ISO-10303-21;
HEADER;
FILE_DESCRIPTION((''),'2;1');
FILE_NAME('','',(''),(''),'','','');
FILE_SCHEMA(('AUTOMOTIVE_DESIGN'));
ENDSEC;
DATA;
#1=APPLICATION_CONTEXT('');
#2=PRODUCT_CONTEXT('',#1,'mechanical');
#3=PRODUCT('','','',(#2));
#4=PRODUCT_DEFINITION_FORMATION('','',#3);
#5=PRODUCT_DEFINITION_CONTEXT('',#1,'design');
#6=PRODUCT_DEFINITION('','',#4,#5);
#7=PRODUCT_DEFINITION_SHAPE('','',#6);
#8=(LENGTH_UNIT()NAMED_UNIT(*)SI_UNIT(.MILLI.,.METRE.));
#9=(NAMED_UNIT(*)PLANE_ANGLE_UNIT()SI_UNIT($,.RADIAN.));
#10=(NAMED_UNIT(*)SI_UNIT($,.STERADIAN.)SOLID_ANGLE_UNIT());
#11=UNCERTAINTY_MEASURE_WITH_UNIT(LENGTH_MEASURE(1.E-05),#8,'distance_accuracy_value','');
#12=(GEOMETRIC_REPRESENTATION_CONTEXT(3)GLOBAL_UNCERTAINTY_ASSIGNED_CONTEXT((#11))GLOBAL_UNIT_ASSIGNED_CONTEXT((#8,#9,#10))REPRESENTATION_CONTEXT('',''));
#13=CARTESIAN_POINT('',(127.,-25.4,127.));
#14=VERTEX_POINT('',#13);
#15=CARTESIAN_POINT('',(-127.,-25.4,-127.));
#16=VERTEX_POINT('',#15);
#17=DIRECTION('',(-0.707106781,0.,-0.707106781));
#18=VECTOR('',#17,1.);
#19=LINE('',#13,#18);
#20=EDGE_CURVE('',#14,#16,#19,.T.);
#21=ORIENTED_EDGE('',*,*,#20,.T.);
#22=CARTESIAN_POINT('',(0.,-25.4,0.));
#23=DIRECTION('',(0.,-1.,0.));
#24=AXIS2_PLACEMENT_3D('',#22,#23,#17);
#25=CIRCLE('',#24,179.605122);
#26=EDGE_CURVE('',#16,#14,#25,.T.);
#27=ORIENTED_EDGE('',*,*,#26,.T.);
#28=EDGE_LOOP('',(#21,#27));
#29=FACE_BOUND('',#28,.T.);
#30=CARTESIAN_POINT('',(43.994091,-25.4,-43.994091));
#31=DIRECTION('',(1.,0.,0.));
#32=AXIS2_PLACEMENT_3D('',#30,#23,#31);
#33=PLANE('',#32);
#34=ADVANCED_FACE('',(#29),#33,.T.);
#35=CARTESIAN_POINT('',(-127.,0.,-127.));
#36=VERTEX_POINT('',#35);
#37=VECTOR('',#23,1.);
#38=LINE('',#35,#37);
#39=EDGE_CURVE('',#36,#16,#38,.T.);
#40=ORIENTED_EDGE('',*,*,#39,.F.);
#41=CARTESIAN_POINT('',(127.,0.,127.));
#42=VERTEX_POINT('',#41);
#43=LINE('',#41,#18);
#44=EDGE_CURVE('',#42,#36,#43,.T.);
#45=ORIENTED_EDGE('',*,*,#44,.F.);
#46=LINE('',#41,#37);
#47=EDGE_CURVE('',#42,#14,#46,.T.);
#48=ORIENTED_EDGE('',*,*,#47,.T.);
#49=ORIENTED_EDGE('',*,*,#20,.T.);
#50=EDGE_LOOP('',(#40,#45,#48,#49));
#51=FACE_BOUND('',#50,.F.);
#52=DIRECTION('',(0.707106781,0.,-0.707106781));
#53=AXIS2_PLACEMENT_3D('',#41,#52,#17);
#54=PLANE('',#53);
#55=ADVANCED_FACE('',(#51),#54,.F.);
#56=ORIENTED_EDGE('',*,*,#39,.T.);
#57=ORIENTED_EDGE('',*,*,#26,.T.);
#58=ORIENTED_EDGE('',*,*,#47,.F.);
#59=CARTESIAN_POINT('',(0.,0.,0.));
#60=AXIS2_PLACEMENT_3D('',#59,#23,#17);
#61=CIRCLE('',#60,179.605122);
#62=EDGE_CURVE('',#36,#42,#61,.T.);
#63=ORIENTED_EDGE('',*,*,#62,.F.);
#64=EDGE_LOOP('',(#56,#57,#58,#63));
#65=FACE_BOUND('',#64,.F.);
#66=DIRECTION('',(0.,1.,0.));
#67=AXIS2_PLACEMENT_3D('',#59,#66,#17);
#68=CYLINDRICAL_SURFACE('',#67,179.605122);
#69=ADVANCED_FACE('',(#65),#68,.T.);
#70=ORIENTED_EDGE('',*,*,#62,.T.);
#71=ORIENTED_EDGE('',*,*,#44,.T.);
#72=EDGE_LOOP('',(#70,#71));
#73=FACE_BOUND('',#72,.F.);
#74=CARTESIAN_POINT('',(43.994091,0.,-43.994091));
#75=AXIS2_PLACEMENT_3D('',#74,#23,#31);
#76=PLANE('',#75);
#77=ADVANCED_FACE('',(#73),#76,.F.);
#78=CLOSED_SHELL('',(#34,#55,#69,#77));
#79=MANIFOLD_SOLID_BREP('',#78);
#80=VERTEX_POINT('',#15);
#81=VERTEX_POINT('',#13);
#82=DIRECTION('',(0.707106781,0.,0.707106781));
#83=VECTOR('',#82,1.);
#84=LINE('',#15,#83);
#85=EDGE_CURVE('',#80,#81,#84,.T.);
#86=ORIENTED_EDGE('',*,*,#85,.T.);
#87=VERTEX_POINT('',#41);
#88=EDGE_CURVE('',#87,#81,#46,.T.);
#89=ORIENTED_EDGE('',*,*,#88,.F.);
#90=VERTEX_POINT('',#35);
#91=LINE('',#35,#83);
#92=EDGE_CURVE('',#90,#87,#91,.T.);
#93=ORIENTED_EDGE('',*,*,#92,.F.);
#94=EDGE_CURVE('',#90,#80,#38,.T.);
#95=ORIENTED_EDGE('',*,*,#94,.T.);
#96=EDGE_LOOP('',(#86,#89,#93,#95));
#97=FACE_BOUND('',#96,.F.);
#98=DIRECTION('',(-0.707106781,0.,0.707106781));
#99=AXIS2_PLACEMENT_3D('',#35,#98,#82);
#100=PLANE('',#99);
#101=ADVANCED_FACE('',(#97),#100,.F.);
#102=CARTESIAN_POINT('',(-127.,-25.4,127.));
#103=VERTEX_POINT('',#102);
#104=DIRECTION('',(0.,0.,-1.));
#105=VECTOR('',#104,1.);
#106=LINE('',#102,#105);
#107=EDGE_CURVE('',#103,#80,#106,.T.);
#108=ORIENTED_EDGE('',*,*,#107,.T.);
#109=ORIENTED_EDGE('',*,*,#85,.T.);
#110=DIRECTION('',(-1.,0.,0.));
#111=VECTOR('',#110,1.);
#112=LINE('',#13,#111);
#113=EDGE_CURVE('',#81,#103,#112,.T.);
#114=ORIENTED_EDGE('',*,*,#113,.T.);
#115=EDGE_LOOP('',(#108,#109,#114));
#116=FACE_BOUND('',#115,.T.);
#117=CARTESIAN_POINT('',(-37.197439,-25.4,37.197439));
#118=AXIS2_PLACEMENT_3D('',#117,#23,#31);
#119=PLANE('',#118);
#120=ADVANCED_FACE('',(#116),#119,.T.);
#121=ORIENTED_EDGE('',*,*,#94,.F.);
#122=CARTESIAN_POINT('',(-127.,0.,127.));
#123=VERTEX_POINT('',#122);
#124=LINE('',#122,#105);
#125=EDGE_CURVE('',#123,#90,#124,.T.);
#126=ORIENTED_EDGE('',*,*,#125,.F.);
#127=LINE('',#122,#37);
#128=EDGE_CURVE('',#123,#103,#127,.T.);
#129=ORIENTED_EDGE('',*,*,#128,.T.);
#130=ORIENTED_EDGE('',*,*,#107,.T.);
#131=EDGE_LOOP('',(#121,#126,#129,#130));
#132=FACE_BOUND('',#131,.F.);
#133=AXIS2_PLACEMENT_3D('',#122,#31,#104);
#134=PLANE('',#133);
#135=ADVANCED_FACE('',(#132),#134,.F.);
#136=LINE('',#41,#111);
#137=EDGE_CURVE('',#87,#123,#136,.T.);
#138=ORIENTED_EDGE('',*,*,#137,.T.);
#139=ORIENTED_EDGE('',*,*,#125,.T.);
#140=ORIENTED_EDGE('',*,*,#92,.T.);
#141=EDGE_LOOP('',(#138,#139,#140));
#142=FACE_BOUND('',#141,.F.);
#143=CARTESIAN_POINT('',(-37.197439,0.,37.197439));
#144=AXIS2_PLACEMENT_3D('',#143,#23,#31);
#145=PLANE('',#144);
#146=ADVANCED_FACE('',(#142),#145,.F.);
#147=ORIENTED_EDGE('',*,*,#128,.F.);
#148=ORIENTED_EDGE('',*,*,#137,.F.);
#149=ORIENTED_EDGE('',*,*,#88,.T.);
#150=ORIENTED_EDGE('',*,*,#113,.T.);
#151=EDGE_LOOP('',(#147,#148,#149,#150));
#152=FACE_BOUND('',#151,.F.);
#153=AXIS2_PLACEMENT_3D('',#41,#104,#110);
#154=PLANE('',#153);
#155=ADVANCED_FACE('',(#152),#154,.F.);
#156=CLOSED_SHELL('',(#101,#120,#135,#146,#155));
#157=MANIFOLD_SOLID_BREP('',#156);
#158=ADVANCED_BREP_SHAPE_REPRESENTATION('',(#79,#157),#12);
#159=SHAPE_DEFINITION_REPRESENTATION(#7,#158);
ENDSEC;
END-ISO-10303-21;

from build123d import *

# Parameters (mm, degrees)
F1_DEPTH = 25.4
F2_DEPTH = 25.4


with BuildPart() as f1:
    # F0 (on Front) → F1 (new body)
    with BuildSketch(Plane.XZ):
        Polygon((-127, -127), (127, 127), (-127, 127), align=None)
    extrude(amount=F1_DEPTH)


with BuildPart() as f2:
    # F0 (on Front) → F2 (new body)
    with BuildSketch(Plane.XZ):
        with BuildLine():
            ThreePointArc((-127, -127), (127, -127), (127, 127))
            Line((127, 127), (-127, -127))
        make_face()
    extrude(amount=F2_DEPTH)


solid = Compound([f1.part, f2.part])
